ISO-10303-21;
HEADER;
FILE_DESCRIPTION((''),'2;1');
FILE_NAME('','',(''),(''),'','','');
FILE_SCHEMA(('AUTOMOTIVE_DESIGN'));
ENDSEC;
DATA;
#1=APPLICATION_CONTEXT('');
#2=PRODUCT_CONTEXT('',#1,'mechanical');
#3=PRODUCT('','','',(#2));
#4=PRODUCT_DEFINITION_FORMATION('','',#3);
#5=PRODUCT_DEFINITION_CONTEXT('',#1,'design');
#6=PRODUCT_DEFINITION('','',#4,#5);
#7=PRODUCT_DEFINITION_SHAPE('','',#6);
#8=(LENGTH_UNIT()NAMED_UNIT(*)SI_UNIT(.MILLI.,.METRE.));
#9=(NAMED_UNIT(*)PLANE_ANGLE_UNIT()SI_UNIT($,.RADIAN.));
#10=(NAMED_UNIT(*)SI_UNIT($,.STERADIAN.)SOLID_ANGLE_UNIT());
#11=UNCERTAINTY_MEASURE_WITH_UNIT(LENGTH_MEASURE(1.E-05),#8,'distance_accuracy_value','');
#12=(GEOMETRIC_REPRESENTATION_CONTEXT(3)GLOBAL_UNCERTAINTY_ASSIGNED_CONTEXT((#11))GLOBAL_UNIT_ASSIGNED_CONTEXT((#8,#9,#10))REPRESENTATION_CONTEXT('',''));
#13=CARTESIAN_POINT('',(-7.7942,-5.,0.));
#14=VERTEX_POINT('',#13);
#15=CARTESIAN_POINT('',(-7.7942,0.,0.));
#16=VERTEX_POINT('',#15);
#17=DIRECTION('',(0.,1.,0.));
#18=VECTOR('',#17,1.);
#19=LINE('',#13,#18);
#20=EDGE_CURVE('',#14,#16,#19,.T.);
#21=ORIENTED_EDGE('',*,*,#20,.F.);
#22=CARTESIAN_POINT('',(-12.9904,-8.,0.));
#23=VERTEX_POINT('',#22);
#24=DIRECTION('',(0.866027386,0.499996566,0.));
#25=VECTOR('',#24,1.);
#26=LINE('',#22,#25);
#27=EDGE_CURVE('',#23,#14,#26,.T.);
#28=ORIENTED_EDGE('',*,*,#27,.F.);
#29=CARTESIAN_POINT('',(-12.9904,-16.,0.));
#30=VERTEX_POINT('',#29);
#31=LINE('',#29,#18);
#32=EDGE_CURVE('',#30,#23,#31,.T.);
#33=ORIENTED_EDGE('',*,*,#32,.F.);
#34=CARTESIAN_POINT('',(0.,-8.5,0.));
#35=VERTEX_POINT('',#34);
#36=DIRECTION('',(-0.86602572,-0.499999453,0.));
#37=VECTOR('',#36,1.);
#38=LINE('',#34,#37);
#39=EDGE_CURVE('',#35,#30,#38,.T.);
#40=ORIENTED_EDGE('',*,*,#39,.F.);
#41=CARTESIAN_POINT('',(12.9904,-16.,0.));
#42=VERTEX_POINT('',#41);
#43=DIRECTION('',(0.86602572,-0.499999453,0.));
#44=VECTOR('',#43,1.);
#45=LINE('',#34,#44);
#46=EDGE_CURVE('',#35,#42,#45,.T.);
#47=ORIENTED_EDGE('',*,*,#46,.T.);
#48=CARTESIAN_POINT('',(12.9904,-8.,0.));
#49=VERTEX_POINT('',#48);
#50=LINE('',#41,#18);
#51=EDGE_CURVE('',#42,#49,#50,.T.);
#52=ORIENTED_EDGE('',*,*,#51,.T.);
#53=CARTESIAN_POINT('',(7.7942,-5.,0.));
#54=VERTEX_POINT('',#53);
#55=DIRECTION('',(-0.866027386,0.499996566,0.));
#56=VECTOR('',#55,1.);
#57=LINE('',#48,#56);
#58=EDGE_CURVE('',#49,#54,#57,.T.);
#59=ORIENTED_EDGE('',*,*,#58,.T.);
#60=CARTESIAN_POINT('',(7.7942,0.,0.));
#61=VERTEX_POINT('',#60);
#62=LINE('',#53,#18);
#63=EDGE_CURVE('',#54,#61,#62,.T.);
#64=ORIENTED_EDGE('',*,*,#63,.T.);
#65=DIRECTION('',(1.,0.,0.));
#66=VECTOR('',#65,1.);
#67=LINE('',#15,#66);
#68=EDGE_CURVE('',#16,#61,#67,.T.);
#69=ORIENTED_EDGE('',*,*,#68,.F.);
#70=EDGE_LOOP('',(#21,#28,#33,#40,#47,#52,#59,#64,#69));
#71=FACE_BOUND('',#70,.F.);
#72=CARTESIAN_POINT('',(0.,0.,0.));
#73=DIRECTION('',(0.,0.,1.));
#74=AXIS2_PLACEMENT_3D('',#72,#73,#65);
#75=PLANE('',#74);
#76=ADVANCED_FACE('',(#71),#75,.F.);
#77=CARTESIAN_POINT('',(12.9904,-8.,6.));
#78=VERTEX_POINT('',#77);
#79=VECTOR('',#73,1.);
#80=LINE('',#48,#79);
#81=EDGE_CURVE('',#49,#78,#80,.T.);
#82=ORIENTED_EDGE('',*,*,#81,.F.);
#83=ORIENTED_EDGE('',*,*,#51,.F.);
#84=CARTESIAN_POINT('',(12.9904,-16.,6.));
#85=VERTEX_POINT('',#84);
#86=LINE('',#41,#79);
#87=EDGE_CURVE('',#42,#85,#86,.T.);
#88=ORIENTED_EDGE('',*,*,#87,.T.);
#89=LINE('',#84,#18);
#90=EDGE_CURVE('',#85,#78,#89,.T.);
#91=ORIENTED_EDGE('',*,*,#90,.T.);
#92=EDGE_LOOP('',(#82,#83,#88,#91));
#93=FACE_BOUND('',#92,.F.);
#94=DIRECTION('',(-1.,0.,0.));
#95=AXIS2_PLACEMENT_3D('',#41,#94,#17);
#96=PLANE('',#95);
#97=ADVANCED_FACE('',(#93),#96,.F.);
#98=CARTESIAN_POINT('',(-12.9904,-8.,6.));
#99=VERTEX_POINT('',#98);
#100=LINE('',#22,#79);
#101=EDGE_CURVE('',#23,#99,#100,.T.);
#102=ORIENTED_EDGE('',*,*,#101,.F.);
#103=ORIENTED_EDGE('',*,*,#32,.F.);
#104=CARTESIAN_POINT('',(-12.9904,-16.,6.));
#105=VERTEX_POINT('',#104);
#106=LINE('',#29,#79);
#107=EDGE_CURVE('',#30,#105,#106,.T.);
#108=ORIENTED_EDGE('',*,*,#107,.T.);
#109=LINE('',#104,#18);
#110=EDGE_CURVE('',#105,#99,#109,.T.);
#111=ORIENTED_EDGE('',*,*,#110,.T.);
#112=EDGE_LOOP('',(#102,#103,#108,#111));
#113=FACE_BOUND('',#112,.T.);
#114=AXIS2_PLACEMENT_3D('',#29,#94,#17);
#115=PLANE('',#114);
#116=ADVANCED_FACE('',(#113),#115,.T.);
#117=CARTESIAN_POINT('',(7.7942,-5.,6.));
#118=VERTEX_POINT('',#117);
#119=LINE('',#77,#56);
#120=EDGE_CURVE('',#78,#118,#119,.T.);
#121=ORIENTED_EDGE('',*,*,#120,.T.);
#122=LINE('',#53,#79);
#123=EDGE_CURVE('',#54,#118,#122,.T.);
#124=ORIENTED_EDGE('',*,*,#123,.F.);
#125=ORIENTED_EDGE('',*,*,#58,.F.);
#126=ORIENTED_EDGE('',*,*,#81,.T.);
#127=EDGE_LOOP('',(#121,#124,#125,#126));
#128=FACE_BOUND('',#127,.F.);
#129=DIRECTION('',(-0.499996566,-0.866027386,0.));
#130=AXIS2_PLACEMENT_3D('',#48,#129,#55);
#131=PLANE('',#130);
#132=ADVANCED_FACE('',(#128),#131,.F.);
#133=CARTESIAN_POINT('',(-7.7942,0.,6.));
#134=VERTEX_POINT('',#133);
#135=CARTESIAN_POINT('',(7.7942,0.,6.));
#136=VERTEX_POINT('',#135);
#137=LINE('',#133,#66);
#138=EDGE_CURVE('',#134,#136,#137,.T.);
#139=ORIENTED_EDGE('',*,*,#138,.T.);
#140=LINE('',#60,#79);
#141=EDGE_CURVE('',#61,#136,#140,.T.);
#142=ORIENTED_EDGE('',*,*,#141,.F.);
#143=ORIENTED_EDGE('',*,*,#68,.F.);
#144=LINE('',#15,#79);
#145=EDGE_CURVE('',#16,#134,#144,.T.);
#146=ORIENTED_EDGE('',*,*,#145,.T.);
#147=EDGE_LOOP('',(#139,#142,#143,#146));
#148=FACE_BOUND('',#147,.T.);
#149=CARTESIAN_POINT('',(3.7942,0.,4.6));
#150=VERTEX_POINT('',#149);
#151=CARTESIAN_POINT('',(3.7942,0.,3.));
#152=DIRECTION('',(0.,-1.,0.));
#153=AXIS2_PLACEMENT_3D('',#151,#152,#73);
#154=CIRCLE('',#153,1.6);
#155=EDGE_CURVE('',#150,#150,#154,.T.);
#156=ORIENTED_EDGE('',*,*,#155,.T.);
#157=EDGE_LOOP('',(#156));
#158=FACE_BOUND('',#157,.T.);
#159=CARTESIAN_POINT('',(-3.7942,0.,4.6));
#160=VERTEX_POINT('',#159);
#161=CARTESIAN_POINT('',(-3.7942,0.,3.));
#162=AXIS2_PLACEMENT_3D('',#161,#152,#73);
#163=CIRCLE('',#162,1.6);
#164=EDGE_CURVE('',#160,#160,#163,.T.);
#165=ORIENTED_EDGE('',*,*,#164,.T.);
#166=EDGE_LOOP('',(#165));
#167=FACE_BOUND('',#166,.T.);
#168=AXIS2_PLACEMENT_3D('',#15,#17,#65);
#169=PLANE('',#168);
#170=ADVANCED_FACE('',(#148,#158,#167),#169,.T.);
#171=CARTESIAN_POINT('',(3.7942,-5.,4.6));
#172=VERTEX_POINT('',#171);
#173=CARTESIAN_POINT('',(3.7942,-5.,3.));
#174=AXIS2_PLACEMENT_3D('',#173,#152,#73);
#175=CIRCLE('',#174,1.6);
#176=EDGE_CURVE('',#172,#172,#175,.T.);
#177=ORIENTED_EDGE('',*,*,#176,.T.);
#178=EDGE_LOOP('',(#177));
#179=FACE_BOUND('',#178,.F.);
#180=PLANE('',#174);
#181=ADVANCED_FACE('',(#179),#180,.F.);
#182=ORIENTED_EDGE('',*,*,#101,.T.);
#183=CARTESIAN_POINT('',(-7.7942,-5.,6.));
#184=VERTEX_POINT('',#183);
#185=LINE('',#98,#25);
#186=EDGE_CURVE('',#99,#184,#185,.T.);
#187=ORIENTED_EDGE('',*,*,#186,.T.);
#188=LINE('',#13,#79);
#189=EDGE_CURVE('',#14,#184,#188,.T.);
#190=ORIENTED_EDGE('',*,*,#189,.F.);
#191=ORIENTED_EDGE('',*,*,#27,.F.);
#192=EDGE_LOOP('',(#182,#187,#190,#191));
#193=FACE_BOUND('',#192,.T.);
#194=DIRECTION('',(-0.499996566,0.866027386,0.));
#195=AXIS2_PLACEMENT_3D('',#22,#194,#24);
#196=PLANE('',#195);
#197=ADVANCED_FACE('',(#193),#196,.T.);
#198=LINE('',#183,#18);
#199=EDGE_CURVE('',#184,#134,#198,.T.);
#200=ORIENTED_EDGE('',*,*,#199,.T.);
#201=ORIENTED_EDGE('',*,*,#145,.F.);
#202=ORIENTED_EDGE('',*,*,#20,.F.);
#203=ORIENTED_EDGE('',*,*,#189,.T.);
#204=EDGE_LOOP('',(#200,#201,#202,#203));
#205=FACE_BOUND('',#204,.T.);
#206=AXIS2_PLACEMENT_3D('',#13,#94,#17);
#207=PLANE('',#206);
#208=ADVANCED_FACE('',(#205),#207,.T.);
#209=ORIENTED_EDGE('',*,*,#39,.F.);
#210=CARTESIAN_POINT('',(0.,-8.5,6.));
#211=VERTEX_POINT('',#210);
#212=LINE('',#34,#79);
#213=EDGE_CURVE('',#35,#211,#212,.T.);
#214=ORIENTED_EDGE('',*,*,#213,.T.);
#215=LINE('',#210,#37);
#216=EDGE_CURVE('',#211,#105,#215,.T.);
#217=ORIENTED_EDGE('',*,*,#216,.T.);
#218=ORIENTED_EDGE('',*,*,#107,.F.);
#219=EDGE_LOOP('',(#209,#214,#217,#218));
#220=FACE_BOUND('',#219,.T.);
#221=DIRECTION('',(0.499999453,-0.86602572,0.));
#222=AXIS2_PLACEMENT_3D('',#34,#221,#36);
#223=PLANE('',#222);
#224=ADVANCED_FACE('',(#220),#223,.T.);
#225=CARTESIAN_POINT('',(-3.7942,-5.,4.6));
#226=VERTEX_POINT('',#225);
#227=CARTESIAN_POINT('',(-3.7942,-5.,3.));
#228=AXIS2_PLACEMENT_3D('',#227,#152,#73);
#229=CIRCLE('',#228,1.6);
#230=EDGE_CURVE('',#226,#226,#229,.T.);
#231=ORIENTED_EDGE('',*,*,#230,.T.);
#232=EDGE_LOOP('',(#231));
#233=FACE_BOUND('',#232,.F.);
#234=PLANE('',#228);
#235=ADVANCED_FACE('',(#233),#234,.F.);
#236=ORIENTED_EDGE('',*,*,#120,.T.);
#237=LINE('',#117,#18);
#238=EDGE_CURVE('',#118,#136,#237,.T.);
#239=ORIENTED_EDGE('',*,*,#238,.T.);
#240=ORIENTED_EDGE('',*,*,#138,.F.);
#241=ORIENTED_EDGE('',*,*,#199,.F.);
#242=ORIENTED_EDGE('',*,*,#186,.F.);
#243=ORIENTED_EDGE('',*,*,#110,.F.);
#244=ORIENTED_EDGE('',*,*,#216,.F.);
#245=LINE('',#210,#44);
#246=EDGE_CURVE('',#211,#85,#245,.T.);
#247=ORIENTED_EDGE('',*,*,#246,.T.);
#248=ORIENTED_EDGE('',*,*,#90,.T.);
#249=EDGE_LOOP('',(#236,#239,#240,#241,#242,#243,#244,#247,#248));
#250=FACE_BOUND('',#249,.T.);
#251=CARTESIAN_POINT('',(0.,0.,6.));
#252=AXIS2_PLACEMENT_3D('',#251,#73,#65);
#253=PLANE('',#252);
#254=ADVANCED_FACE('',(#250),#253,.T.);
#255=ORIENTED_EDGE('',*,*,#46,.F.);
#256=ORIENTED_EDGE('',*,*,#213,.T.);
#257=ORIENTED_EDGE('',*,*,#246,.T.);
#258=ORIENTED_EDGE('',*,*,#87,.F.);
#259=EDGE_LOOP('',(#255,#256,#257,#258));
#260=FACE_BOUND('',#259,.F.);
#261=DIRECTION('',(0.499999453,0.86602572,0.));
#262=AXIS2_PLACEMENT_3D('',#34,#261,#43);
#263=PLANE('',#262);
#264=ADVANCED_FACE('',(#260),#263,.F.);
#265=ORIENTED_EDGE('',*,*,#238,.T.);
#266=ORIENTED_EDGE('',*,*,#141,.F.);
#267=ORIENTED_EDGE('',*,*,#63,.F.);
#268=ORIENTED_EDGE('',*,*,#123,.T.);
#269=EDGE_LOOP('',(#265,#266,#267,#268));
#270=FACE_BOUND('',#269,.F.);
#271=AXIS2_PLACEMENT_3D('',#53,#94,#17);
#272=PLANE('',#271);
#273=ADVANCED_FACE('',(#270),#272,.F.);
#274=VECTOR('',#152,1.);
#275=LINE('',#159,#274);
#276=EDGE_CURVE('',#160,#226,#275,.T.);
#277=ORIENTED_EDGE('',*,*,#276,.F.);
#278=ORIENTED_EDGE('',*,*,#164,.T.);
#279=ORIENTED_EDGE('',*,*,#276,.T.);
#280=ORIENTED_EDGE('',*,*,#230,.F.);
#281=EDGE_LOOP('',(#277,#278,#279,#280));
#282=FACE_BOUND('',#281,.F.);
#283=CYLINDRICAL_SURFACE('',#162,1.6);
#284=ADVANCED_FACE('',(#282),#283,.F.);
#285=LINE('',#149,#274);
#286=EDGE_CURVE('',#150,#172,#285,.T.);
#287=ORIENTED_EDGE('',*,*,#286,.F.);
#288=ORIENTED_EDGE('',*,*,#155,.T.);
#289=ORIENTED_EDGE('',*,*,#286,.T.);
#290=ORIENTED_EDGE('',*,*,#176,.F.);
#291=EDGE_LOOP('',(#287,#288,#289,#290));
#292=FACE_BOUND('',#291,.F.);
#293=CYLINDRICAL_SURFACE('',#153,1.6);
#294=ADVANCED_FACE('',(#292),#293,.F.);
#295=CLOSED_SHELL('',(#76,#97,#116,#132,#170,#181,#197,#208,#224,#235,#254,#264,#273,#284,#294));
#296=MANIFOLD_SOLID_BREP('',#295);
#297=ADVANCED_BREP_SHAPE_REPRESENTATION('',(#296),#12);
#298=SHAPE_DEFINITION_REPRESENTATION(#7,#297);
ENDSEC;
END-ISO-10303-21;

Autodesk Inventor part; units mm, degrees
ref_plane "YZ Plane" through (0, 0, 0) normal (1, 0, 0) x (0, 1, 0)
ref_plane "XZ Plane" through (0, 0, 0) normal (0, 1, 0) x (-1, 0, 0)
ref_plane "XY Plane" through (0, 0, 0) normal (0, 0, 1) x (1, 0, 0)
sketch "Sketch1" plane through (0, 0, 0) normal (0, 0, 1) x (1, 0, 0)
  line L0 (0, -8.5) -> (12.9904, -16)
  line L1 (12.9904, -16) -> (12.9904, -8)
  line L2 (0, -8.5) -> (-12.9904, -16)
  line L3 (-12.9904, -16) -> (-12.9904, -8)
  line L4 (-7.7942, 0) -> (7.7942, 0)
  line L5 (-12.9904, -8) -> (-7.7942, -5)
  line L6 (-7.7942, -5) -> (-7.7942, 0)
  line L7 (12.9904, -8) -> (7.7942, -5)
  line L8 (7.7942, -5) -> (7.7942, 0)
  point P0 (0, 0)
extrude "Extrusion1" add sketch "Sketch1" along normal blind 6
sketch "Sketch2" plane through (-7.7942, 0, 0) normal (0, 1, 0) x (1, 0, 0)
  line L0 (15.5885, 0) -> (15.5885, -6) construction
  line L1 (15.5885, -3) -> (0, -3) construction
  line L2 (0, 0) -> (0, -6) construction
  point P0 (7.7942, 0)
  point P1 (11.5885, -3)
  point P2 (4, -3)
hole "Hole2" at (3.7942, 0, 3) at (-3.7942, 0, 3) direction (0, -1, 0) diameter 3.2 depth 5 clearance for "Hex Head Cap Screw ISO 24017" size "M3" standard "ISO"
properties part number "Łapka" material "Stainless Steel, Austenitic"
